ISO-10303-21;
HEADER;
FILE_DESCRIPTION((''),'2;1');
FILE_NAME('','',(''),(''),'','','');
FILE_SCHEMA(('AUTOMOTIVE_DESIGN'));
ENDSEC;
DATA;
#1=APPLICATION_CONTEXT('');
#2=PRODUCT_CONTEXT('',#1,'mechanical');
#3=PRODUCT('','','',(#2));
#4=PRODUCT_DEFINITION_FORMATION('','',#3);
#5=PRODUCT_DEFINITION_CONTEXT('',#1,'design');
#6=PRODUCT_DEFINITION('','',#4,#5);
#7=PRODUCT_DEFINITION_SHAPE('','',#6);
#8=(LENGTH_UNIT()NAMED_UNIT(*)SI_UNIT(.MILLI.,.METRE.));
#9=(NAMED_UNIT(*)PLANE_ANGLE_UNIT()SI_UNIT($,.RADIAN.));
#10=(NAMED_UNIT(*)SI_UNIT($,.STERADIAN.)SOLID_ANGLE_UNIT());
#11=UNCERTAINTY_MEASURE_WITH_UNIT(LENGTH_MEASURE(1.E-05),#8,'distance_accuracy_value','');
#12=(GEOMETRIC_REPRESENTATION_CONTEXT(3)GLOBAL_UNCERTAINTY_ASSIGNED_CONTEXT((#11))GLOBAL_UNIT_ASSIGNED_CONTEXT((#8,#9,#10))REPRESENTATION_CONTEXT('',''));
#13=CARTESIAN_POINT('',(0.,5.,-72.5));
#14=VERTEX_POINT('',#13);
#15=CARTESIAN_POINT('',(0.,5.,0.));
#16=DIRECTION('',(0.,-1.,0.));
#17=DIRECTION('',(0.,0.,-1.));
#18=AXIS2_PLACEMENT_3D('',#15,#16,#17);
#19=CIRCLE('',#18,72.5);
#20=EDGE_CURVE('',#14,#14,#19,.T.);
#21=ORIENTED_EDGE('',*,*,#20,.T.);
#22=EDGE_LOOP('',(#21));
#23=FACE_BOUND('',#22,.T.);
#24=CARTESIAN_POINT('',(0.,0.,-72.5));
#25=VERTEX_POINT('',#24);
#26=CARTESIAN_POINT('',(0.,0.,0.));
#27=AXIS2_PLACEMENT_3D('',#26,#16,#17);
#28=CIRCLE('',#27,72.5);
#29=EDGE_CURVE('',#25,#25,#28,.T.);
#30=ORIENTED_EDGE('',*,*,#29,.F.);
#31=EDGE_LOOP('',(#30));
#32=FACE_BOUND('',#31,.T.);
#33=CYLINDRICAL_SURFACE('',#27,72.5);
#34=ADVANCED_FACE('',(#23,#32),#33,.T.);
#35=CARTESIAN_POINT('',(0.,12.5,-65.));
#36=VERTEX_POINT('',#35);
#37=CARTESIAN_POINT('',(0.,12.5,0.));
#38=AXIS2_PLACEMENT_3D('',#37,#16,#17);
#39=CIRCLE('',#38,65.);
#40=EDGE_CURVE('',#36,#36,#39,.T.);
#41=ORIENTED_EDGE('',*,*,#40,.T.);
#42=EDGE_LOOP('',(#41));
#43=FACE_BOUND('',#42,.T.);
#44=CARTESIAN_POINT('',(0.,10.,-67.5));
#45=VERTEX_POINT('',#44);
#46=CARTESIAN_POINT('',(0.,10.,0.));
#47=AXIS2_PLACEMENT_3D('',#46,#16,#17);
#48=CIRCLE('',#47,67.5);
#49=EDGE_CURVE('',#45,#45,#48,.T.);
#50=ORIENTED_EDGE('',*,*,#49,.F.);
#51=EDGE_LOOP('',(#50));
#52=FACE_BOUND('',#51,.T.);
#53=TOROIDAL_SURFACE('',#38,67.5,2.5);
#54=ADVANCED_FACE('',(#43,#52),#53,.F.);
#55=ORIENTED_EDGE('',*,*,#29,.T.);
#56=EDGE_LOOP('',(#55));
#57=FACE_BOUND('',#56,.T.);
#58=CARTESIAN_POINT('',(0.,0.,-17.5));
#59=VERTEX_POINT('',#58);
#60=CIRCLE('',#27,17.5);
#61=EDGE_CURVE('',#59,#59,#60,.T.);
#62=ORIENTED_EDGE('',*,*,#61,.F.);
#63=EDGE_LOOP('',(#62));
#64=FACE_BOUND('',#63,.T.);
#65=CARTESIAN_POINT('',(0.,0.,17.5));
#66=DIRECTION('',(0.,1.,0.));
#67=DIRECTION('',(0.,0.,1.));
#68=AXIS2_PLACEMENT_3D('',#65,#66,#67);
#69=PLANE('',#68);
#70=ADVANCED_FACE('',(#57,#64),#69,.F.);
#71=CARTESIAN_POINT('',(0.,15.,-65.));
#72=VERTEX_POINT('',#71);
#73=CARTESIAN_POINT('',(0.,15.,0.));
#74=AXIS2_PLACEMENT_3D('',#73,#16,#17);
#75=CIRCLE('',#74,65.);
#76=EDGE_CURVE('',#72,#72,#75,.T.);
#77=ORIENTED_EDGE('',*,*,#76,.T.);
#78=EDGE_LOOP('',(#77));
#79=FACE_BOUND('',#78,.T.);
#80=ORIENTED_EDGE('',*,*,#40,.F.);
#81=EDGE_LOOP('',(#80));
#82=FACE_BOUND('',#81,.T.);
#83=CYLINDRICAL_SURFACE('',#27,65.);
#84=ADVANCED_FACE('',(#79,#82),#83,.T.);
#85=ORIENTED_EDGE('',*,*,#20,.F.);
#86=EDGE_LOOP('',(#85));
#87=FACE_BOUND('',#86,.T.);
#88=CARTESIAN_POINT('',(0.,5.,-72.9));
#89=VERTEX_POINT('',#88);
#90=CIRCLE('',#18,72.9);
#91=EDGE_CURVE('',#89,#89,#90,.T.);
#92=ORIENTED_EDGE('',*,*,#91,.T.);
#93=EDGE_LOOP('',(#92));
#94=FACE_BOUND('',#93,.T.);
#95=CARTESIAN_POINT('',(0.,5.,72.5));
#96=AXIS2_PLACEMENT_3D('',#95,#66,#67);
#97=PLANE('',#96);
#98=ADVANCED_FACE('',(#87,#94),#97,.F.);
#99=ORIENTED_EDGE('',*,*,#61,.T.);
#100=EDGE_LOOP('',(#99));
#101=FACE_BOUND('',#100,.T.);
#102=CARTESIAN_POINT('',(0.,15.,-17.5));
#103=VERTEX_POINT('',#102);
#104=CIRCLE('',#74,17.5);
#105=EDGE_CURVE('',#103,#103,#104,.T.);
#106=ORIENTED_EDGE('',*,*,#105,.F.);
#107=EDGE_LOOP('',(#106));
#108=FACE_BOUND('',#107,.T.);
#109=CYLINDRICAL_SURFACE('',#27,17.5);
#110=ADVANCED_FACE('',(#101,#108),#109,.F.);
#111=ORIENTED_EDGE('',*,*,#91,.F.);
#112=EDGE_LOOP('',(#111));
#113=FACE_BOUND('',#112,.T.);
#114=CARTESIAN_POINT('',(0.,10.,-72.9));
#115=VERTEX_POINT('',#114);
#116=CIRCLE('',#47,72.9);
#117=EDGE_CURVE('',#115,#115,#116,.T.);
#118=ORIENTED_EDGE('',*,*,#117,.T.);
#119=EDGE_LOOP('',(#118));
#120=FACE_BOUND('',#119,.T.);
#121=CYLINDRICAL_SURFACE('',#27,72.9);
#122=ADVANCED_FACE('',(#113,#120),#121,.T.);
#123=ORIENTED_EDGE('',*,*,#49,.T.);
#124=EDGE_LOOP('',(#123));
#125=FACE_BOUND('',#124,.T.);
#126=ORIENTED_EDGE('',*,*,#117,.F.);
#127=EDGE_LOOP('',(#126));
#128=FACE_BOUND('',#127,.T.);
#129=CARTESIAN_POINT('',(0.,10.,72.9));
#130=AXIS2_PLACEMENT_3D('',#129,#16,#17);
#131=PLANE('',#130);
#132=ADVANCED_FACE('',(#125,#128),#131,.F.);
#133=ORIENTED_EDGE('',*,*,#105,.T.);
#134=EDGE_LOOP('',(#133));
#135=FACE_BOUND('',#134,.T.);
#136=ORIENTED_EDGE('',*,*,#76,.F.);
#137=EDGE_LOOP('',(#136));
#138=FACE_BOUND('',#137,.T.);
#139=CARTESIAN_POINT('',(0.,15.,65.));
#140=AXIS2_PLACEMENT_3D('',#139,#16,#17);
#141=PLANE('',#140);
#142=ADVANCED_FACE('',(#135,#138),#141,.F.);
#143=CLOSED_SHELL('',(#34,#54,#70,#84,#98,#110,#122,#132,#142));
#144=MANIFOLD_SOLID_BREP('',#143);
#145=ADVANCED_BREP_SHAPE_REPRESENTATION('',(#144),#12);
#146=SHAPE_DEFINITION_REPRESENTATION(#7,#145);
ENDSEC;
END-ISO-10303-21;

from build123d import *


with BuildPart() as part:
    # 草图1 → 旋转1 (revolve)
    with BuildSketch(Plane(origin=(0, 0, 0), x_dir=(0, 0, -1), z_dir=(1, 0, 0)), mode=Mode.PRIVATE) as revolve_1_sk:
        with BuildLine():
            Line((-17.5, 15), (-17.5, 0))
            Line((-17.5, 0), (-72.5, 0))
            Line((-72.5, 0), (-72.5, 5))
            Line((-72.5, 5), (-72.9, 5))
            Line((-72.9, 5), (-72.9, 10))
            Line((-72.9, 10), (-67.5, 10))
            ThreePointArc((-67.5, 10), (-65.732233047, 10.732233047), (-65, 12.5))
            Line((-65, 12.5), (-65, 15))
            Line((-65, 15), (-17.5, 15))
        make_face()
    revolve(revolve_1_sk.sketch.rotate(Axis((0, 0, 0), (0, 1, 0)), 180), axis=Axis((0, 0, 0), (0, 1, 0)))


solid = part.part
